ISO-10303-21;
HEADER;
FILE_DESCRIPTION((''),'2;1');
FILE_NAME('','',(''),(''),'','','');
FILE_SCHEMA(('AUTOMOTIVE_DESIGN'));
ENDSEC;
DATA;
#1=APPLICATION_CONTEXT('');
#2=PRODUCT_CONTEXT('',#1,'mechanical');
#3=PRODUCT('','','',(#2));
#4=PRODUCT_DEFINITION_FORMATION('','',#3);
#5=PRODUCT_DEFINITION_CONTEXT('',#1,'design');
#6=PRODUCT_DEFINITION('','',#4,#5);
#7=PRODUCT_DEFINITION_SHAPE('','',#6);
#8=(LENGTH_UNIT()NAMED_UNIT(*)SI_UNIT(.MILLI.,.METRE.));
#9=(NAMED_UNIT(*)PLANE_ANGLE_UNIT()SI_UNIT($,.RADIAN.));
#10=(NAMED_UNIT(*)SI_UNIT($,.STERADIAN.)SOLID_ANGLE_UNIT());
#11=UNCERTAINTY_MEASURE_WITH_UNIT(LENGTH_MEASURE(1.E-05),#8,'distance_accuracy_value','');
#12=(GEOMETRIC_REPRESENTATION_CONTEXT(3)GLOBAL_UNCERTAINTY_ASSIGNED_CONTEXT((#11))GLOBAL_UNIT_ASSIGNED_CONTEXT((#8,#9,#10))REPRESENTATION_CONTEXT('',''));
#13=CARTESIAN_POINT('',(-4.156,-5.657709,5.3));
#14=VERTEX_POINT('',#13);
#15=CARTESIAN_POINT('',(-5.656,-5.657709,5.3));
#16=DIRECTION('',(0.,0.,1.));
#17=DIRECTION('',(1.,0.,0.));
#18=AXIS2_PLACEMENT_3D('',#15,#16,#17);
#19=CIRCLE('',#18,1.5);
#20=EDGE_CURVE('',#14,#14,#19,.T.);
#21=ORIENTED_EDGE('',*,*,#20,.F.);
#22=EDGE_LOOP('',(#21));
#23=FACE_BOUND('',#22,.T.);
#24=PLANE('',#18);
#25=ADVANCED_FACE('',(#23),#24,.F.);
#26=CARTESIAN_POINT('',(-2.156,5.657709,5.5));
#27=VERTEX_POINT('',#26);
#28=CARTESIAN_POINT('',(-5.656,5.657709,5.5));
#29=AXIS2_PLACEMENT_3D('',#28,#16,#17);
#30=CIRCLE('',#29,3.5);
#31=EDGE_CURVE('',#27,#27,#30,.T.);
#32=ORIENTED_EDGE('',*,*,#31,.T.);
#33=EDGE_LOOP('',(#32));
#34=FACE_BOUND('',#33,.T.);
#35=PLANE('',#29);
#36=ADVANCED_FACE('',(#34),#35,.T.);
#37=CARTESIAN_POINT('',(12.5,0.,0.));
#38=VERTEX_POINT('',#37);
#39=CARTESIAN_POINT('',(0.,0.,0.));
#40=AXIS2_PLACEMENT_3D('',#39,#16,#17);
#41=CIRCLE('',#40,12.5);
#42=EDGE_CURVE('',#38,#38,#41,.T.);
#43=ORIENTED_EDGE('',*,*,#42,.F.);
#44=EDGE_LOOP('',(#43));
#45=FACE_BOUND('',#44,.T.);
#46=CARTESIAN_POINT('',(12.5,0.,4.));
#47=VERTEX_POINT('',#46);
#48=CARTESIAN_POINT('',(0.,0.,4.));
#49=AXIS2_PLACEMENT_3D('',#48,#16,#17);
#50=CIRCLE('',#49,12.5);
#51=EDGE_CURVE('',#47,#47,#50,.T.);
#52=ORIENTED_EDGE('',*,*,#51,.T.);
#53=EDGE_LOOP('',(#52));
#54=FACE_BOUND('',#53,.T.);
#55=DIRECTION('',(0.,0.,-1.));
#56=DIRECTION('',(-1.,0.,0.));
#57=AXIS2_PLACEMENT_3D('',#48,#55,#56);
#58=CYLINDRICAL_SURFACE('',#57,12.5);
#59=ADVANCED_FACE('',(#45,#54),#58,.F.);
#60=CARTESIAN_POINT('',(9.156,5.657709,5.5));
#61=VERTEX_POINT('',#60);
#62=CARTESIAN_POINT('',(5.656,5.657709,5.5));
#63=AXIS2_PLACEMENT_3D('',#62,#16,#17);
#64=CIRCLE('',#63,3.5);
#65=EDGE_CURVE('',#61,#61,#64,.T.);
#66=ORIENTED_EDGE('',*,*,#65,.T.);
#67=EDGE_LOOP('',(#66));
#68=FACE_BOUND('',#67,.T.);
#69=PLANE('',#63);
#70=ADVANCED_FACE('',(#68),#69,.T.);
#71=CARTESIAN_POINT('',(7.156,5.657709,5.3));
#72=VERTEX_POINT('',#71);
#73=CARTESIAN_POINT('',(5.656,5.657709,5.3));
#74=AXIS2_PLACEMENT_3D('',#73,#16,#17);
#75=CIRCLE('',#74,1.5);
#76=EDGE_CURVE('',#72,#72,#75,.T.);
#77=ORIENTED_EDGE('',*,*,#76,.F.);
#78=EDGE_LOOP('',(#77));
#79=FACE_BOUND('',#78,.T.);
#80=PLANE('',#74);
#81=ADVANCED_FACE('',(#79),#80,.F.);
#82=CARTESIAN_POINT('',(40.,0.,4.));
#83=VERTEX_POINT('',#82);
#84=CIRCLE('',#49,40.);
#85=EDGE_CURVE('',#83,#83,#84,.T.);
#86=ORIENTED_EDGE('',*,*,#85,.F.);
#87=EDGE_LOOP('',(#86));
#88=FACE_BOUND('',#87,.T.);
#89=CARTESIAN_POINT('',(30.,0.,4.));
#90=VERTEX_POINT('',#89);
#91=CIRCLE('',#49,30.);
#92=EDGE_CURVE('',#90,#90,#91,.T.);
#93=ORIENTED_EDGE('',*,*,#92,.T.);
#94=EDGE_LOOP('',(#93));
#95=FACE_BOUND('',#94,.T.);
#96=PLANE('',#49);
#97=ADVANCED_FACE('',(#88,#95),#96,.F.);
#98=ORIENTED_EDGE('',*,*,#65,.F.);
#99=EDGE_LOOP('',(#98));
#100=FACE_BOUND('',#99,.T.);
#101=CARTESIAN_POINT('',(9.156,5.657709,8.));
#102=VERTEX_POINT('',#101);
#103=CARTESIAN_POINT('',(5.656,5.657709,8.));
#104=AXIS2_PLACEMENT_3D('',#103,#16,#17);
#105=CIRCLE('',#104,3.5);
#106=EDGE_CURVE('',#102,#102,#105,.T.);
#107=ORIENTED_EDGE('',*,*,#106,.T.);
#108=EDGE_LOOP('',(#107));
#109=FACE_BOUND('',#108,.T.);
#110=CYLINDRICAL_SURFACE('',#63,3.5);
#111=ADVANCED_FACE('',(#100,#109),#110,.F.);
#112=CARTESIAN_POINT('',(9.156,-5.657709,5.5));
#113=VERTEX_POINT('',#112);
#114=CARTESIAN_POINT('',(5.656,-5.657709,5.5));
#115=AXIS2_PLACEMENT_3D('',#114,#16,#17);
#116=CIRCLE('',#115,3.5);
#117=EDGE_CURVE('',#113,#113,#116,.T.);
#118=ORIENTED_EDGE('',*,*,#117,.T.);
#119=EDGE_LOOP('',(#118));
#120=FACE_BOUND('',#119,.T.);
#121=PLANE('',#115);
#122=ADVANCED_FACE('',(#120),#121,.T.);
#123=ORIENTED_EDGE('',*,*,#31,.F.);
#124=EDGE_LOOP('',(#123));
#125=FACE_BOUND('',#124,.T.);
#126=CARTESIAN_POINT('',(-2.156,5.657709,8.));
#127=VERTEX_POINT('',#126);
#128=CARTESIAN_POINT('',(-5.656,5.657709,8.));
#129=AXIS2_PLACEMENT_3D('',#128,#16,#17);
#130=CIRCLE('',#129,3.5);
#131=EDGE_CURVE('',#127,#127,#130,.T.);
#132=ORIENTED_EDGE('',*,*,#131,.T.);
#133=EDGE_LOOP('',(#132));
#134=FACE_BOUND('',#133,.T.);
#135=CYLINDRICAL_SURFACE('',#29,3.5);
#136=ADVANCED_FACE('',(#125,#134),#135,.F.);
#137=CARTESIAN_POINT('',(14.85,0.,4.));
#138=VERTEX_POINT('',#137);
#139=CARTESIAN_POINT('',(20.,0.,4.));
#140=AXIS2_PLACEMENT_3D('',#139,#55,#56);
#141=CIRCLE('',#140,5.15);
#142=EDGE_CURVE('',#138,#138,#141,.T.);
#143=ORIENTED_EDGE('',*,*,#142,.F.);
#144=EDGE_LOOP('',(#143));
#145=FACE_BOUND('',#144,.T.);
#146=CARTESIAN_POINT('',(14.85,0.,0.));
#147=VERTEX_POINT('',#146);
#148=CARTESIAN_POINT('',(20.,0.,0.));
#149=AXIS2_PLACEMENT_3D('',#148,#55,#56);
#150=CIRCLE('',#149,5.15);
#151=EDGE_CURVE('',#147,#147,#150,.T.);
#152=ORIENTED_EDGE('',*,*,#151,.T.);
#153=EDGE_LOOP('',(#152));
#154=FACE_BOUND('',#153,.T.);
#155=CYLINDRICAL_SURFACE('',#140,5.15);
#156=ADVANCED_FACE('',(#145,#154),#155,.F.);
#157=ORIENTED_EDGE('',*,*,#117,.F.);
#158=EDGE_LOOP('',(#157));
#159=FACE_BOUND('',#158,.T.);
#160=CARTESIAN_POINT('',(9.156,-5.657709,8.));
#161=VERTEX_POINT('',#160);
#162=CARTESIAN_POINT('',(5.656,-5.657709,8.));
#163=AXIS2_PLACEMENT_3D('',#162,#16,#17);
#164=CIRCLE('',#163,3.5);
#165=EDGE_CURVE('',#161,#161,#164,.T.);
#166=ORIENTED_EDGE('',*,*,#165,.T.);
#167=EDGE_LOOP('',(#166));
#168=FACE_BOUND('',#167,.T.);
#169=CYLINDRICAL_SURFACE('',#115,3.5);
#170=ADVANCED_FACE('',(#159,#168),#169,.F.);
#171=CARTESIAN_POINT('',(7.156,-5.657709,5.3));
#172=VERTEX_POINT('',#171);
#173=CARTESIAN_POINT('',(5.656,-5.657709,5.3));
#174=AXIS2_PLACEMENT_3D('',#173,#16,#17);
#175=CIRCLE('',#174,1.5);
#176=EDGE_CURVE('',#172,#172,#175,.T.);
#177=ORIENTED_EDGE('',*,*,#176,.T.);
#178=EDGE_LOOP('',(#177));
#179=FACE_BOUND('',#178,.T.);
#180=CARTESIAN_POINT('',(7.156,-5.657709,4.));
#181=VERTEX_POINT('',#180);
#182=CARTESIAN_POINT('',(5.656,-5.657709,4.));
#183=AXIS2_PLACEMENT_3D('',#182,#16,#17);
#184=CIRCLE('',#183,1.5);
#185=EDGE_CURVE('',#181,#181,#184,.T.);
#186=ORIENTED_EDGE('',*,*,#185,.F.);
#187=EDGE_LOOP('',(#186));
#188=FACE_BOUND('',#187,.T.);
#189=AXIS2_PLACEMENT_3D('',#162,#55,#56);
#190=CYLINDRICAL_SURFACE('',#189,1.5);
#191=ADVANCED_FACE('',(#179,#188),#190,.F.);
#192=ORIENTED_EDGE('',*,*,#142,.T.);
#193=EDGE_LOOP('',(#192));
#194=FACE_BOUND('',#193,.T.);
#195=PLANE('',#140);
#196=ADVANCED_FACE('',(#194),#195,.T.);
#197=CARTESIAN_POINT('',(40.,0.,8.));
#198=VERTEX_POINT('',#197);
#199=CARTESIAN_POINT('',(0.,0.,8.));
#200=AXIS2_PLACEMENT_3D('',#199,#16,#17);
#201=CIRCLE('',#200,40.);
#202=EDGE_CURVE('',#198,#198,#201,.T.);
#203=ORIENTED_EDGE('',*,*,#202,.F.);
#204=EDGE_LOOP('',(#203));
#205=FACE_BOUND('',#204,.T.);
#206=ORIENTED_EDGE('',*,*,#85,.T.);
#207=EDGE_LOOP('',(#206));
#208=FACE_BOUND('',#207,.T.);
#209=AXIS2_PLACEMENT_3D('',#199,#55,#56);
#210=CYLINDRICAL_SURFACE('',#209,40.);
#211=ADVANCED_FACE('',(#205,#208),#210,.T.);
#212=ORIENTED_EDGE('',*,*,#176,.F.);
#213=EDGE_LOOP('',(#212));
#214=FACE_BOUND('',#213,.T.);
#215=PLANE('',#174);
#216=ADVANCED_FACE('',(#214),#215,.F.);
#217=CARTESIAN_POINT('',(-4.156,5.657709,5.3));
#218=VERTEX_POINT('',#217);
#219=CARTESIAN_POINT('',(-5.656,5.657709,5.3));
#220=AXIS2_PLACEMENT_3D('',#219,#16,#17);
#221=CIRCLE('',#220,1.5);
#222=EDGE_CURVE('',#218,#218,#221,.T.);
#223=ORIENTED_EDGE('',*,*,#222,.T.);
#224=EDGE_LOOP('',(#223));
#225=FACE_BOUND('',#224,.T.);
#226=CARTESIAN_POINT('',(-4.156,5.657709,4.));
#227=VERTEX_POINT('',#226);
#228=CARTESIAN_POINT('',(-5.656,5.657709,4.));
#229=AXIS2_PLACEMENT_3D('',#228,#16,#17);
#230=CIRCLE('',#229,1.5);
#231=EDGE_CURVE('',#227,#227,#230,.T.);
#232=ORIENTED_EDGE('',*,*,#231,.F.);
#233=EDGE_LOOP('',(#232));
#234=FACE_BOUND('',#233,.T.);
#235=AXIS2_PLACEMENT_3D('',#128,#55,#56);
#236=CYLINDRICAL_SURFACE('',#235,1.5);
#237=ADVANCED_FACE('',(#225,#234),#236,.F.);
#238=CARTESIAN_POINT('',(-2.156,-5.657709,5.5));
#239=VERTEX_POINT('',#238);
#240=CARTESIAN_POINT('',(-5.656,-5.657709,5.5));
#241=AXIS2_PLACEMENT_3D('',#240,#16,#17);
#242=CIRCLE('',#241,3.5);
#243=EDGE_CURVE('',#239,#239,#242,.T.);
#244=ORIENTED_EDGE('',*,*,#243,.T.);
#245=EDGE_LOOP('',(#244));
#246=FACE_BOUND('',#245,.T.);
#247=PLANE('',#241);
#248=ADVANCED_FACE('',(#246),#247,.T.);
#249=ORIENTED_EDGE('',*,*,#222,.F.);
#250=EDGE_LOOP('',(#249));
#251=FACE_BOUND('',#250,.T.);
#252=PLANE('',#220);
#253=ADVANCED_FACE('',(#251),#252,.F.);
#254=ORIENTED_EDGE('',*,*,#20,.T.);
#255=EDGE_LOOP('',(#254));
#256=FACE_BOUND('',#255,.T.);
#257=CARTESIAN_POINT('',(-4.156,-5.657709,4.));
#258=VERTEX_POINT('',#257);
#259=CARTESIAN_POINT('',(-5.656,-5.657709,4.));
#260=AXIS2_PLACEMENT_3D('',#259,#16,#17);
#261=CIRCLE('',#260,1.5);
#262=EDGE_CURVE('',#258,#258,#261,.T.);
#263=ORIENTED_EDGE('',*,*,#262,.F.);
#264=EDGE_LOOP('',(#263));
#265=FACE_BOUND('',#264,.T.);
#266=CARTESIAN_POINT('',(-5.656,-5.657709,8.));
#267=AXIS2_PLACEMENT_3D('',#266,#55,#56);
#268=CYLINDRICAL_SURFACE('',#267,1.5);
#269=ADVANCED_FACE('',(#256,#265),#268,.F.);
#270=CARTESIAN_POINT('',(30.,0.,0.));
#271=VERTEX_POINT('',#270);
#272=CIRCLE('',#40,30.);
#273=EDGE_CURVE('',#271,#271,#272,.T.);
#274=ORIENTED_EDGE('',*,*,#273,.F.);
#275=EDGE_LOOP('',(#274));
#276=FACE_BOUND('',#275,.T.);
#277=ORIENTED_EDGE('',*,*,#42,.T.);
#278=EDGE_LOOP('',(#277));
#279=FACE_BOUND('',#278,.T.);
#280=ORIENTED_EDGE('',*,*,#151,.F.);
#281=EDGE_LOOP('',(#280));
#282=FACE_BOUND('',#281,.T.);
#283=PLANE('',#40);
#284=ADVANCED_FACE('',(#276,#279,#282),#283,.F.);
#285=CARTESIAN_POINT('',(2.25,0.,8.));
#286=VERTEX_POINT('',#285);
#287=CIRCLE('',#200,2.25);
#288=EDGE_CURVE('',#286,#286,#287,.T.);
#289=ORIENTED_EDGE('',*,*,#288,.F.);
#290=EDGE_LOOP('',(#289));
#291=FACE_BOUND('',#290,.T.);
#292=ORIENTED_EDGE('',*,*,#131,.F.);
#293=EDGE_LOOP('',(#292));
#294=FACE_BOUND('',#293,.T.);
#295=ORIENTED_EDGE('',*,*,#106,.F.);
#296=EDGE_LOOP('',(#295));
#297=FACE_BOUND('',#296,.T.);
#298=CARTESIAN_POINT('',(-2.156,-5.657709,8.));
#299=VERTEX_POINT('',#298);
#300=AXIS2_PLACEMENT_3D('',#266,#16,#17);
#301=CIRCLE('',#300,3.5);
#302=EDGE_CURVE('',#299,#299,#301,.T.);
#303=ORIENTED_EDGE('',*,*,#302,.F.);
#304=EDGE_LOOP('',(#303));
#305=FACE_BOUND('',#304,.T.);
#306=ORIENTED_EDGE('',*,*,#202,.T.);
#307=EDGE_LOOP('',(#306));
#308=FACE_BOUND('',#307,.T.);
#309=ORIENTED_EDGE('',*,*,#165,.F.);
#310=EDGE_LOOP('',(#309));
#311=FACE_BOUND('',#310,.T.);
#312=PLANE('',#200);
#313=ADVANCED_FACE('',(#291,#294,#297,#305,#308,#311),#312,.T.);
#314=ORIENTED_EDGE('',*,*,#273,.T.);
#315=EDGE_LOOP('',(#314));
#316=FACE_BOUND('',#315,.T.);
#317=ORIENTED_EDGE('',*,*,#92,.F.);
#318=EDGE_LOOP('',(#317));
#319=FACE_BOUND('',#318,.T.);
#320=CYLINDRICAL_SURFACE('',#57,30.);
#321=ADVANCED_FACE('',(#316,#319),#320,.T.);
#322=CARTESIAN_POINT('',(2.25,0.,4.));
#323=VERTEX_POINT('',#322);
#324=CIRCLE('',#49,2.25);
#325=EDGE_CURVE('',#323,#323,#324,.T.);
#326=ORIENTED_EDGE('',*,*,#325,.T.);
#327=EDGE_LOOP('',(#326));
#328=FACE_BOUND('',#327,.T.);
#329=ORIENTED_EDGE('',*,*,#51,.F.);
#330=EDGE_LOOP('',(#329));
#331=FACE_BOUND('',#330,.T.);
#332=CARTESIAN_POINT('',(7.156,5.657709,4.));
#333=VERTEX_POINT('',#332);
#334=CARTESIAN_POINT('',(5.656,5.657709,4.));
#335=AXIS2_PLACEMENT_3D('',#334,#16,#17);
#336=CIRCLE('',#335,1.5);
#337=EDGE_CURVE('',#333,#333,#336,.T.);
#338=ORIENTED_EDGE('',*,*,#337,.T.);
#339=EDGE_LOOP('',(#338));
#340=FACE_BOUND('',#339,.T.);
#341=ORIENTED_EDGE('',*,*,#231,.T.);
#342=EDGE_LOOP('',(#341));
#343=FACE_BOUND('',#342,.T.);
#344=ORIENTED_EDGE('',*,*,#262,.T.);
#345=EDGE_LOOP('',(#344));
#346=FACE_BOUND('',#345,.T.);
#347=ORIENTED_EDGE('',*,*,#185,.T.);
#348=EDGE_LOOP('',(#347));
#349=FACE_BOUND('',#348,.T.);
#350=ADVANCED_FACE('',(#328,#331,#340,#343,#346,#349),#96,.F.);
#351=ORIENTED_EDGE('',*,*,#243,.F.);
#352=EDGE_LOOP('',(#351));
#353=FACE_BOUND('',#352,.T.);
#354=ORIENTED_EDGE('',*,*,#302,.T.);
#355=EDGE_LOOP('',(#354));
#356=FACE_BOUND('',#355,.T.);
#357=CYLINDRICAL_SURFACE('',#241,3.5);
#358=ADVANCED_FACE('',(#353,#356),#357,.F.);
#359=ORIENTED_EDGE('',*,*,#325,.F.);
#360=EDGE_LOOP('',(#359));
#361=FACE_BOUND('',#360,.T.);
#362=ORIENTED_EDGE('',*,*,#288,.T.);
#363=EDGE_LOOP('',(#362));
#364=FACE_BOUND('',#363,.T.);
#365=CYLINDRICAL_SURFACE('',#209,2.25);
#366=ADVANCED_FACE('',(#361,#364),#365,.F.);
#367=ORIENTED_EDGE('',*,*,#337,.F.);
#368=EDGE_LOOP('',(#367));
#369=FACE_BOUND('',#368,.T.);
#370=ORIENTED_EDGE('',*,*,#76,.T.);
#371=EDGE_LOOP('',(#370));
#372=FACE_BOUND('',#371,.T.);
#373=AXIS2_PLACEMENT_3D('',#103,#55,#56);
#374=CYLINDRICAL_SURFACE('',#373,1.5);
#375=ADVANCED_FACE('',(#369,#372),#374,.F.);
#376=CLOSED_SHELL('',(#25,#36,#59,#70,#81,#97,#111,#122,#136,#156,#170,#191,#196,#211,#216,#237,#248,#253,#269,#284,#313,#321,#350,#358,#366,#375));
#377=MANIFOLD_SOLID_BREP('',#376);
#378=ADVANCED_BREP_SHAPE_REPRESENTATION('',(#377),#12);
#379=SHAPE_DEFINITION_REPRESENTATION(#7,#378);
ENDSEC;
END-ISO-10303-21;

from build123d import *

# Parameters (mm, degrees)
SKETCH1_R           = 30
SKETCH1_R_2         = 12.5
BOSS_EXTRUDE1_DEPTH = 4
SKETCH2_R           = 40
SKETCH2_R_2         = 2.25
SKETCH2_R_3         = 1.5
BOSS_EXTRUDE2_DEPTH = 4
SKETCH3_R           = 3.5
CUT_EXTRUDE1_DEPTH  = 2.5
SKETCH4_R           = 5.15
CUT_EXTRUDE2_DEPTH  = 4
SKETCH5_R           = 3.5
BOSS_EXTRUDE3_DEPTH = 0.2


with BuildPart() as part:
    # Sketch1 → Boss-Extrude1 (new body)
    with BuildSketch(Plane.XY):
        Circle(SKETCH1_R)
        Circle(SKETCH1_R_2, mode=Mode.SUBTRACT)
    extrude(amount=BOSS_EXTRUDE1_DEPTH)

    # Sketch2 → Boss-Extrude2 (add)
    with BuildSketch(Plane.XY.offset(4)):
        Circle(SKETCH2_R)
        Circle(SKETCH2_R_2, mode=Mode.SUBTRACT)
        with Locations((-5.655999742, 5.657708628)):
            Circle(SKETCH2_R_3, mode=Mode.SUBTRACT)
        with Locations((-5.655999742, -5.657708628)):
            Circle(SKETCH2_R_3, mode=Mode.SUBTRACT)
        with Locations((5.655999742, -5.657708628)):
            Circle(SKETCH2_R_3, mode=Mode.SUBTRACT)
        with Locations((5.655999742, 5.657708628)):
            Circle(SKETCH2_R_3, mode=Mode.SUBTRACT)
    extrude(amount=BOSS_EXTRUDE2_DEPTH)

    # Sketch3 → Cut-Extrude1 (cut)
    with BuildSketch(Plane.XY.offset(8)):
        with Locations((-5.655999742, 5.657708628)):
            Circle(SKETCH3_R)
        with Locations((5.655999742, 5.657708628)):
            Circle(SKETCH3_R)
        with Locations((5.655999742, -5.657708628)):
            Circle(SKETCH3_R)
        with Locations((-5.655999742, -5.657708628)):
            Circle(SKETCH3_R)
    extrude(amount=-CUT_EXTRUDE1_DEPTH, mode=Mode.SUBTRACT)

    # Sketch4 → Cut-Extrude2 (cut)
    with BuildSketch(Plane(origin=(0, 0, 0), x_dir=(-1, 0, 0), z_dir=(0, 0, -1))):
        with Locations((-20, 0)):
            Circle(SKETCH4_R)
    extrude(amount=-CUT_EXTRUDE2_DEPTH, mode=Mode.SUBTRACT)

    # Sketch5 → Boss-Extrude3 (add)
    with BuildSketch(Plane.XY.offset(5.5)):
        with Locations((-5.655999742, 5.657708628)):
            Circle(SKETCH5_R)
        with Locations((5.655999742, 5.657708628)):
            Circle(SKETCH5_R)
        with Locations((-5.655999742, -5.657708628)):
            Circle(SKETCH5_R)
        with Locations((5.655999742, -5.657708628)):
            Circle(SKETCH5_R)
    extrude(amount=-BOSS_EXTRUDE3_DEPTH)


solid = part.part
